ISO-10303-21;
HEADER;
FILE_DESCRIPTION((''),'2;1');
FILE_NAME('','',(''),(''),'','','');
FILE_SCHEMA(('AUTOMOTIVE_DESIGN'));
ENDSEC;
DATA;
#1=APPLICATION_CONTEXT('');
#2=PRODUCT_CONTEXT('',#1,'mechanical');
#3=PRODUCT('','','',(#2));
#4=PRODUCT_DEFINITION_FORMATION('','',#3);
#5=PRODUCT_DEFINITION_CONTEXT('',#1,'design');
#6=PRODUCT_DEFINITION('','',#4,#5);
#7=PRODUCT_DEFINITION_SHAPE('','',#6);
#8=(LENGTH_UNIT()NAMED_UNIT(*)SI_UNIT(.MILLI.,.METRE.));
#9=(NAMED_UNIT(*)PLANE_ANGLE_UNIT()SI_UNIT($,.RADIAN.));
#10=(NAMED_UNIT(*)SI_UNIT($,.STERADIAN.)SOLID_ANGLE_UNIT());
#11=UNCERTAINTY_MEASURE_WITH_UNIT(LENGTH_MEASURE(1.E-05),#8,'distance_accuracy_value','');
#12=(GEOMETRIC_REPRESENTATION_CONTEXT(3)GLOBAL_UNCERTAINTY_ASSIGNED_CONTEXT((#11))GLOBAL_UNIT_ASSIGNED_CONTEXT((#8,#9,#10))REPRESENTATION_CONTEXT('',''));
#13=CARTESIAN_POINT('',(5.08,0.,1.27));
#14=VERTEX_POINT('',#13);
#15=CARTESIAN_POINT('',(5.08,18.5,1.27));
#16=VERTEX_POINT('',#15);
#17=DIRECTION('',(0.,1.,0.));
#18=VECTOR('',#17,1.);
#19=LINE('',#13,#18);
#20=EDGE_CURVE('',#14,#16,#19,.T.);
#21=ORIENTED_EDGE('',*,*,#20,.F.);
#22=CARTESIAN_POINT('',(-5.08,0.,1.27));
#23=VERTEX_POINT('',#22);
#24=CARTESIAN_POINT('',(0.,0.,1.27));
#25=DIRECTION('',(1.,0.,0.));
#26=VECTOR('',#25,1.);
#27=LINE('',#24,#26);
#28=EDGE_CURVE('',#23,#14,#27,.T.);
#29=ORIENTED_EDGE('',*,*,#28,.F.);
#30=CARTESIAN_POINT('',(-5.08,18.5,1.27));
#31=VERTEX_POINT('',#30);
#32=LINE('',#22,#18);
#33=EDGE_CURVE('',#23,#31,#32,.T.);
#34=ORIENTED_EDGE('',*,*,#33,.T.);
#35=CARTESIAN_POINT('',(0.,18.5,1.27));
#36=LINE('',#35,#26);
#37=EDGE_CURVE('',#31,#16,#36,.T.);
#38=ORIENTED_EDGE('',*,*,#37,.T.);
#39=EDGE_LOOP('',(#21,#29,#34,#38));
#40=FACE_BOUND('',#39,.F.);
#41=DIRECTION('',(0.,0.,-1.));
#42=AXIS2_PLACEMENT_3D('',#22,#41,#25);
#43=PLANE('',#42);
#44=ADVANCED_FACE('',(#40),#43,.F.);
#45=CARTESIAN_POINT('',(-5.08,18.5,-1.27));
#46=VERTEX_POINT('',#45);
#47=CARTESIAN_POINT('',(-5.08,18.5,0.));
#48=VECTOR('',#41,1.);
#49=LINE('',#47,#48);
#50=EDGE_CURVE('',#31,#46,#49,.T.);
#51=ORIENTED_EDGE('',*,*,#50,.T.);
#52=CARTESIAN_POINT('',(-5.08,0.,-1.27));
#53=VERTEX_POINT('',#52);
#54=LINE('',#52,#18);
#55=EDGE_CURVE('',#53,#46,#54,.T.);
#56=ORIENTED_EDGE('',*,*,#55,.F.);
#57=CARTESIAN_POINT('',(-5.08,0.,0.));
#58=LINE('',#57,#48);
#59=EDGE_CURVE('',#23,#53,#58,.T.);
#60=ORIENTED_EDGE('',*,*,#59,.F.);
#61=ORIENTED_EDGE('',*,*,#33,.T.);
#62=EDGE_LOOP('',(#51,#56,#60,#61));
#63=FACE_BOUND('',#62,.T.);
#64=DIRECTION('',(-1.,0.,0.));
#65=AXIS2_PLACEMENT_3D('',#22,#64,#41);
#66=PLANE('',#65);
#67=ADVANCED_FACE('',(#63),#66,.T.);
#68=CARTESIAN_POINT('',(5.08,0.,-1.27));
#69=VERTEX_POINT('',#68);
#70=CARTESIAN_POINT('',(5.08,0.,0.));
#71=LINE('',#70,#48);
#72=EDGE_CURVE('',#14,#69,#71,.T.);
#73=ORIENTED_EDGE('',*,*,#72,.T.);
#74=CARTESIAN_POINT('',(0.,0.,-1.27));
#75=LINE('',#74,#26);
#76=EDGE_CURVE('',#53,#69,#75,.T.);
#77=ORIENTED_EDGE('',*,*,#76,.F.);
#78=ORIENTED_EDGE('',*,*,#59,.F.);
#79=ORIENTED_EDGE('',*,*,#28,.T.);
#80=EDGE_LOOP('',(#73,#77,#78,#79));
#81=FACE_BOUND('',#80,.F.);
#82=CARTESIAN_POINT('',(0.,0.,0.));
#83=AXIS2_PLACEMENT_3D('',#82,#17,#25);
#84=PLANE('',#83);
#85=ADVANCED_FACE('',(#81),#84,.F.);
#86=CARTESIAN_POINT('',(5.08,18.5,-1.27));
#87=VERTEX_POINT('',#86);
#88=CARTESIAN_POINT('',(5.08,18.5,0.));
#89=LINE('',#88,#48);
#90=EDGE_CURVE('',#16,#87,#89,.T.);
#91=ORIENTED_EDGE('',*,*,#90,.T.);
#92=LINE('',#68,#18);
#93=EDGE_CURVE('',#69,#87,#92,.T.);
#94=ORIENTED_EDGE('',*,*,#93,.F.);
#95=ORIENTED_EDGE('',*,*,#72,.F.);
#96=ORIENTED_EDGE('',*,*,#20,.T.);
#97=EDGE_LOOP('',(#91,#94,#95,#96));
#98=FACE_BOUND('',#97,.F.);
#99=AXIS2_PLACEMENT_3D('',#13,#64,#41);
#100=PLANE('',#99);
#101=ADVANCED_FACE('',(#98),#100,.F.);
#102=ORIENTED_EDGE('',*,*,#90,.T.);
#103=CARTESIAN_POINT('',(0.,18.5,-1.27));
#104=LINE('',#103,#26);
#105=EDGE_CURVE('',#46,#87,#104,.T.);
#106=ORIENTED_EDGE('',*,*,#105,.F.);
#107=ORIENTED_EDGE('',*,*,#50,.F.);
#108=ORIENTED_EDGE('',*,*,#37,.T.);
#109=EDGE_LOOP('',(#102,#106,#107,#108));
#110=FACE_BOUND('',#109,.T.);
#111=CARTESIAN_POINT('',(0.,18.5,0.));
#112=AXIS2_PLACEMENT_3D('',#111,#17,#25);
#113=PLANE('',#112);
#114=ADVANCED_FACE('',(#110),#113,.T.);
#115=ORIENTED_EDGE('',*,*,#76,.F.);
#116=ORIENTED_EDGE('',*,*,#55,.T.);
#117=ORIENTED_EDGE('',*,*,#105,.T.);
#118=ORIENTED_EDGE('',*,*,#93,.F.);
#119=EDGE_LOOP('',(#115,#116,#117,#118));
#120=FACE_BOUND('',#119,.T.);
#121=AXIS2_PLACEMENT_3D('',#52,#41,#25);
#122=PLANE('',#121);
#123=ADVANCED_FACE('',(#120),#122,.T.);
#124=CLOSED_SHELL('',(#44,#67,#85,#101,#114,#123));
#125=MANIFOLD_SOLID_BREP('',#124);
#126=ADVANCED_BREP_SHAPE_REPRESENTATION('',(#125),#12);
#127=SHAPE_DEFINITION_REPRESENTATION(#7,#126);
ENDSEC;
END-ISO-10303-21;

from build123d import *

# Parameters (mm, degrees)
SKICA1_W                = 10.16
SKICA1_H                = 2.54
P_IDAT_VYSUNUT_M1_DEPTH = 18.5


with BuildPart() as part:
    # Skica1 → Přidat vysunutím1 (new body)
    with BuildSketch(Plane(origin=(0, 0, 0), x_dir=(1, 0, 0), z_dir=(0, 1, 0))):
        Rectangle(SKICA1_W, SKICA1_H)
    extrude(amount=P_IDAT_VYSUNUT_M1_DEPTH)


solid = part.part
